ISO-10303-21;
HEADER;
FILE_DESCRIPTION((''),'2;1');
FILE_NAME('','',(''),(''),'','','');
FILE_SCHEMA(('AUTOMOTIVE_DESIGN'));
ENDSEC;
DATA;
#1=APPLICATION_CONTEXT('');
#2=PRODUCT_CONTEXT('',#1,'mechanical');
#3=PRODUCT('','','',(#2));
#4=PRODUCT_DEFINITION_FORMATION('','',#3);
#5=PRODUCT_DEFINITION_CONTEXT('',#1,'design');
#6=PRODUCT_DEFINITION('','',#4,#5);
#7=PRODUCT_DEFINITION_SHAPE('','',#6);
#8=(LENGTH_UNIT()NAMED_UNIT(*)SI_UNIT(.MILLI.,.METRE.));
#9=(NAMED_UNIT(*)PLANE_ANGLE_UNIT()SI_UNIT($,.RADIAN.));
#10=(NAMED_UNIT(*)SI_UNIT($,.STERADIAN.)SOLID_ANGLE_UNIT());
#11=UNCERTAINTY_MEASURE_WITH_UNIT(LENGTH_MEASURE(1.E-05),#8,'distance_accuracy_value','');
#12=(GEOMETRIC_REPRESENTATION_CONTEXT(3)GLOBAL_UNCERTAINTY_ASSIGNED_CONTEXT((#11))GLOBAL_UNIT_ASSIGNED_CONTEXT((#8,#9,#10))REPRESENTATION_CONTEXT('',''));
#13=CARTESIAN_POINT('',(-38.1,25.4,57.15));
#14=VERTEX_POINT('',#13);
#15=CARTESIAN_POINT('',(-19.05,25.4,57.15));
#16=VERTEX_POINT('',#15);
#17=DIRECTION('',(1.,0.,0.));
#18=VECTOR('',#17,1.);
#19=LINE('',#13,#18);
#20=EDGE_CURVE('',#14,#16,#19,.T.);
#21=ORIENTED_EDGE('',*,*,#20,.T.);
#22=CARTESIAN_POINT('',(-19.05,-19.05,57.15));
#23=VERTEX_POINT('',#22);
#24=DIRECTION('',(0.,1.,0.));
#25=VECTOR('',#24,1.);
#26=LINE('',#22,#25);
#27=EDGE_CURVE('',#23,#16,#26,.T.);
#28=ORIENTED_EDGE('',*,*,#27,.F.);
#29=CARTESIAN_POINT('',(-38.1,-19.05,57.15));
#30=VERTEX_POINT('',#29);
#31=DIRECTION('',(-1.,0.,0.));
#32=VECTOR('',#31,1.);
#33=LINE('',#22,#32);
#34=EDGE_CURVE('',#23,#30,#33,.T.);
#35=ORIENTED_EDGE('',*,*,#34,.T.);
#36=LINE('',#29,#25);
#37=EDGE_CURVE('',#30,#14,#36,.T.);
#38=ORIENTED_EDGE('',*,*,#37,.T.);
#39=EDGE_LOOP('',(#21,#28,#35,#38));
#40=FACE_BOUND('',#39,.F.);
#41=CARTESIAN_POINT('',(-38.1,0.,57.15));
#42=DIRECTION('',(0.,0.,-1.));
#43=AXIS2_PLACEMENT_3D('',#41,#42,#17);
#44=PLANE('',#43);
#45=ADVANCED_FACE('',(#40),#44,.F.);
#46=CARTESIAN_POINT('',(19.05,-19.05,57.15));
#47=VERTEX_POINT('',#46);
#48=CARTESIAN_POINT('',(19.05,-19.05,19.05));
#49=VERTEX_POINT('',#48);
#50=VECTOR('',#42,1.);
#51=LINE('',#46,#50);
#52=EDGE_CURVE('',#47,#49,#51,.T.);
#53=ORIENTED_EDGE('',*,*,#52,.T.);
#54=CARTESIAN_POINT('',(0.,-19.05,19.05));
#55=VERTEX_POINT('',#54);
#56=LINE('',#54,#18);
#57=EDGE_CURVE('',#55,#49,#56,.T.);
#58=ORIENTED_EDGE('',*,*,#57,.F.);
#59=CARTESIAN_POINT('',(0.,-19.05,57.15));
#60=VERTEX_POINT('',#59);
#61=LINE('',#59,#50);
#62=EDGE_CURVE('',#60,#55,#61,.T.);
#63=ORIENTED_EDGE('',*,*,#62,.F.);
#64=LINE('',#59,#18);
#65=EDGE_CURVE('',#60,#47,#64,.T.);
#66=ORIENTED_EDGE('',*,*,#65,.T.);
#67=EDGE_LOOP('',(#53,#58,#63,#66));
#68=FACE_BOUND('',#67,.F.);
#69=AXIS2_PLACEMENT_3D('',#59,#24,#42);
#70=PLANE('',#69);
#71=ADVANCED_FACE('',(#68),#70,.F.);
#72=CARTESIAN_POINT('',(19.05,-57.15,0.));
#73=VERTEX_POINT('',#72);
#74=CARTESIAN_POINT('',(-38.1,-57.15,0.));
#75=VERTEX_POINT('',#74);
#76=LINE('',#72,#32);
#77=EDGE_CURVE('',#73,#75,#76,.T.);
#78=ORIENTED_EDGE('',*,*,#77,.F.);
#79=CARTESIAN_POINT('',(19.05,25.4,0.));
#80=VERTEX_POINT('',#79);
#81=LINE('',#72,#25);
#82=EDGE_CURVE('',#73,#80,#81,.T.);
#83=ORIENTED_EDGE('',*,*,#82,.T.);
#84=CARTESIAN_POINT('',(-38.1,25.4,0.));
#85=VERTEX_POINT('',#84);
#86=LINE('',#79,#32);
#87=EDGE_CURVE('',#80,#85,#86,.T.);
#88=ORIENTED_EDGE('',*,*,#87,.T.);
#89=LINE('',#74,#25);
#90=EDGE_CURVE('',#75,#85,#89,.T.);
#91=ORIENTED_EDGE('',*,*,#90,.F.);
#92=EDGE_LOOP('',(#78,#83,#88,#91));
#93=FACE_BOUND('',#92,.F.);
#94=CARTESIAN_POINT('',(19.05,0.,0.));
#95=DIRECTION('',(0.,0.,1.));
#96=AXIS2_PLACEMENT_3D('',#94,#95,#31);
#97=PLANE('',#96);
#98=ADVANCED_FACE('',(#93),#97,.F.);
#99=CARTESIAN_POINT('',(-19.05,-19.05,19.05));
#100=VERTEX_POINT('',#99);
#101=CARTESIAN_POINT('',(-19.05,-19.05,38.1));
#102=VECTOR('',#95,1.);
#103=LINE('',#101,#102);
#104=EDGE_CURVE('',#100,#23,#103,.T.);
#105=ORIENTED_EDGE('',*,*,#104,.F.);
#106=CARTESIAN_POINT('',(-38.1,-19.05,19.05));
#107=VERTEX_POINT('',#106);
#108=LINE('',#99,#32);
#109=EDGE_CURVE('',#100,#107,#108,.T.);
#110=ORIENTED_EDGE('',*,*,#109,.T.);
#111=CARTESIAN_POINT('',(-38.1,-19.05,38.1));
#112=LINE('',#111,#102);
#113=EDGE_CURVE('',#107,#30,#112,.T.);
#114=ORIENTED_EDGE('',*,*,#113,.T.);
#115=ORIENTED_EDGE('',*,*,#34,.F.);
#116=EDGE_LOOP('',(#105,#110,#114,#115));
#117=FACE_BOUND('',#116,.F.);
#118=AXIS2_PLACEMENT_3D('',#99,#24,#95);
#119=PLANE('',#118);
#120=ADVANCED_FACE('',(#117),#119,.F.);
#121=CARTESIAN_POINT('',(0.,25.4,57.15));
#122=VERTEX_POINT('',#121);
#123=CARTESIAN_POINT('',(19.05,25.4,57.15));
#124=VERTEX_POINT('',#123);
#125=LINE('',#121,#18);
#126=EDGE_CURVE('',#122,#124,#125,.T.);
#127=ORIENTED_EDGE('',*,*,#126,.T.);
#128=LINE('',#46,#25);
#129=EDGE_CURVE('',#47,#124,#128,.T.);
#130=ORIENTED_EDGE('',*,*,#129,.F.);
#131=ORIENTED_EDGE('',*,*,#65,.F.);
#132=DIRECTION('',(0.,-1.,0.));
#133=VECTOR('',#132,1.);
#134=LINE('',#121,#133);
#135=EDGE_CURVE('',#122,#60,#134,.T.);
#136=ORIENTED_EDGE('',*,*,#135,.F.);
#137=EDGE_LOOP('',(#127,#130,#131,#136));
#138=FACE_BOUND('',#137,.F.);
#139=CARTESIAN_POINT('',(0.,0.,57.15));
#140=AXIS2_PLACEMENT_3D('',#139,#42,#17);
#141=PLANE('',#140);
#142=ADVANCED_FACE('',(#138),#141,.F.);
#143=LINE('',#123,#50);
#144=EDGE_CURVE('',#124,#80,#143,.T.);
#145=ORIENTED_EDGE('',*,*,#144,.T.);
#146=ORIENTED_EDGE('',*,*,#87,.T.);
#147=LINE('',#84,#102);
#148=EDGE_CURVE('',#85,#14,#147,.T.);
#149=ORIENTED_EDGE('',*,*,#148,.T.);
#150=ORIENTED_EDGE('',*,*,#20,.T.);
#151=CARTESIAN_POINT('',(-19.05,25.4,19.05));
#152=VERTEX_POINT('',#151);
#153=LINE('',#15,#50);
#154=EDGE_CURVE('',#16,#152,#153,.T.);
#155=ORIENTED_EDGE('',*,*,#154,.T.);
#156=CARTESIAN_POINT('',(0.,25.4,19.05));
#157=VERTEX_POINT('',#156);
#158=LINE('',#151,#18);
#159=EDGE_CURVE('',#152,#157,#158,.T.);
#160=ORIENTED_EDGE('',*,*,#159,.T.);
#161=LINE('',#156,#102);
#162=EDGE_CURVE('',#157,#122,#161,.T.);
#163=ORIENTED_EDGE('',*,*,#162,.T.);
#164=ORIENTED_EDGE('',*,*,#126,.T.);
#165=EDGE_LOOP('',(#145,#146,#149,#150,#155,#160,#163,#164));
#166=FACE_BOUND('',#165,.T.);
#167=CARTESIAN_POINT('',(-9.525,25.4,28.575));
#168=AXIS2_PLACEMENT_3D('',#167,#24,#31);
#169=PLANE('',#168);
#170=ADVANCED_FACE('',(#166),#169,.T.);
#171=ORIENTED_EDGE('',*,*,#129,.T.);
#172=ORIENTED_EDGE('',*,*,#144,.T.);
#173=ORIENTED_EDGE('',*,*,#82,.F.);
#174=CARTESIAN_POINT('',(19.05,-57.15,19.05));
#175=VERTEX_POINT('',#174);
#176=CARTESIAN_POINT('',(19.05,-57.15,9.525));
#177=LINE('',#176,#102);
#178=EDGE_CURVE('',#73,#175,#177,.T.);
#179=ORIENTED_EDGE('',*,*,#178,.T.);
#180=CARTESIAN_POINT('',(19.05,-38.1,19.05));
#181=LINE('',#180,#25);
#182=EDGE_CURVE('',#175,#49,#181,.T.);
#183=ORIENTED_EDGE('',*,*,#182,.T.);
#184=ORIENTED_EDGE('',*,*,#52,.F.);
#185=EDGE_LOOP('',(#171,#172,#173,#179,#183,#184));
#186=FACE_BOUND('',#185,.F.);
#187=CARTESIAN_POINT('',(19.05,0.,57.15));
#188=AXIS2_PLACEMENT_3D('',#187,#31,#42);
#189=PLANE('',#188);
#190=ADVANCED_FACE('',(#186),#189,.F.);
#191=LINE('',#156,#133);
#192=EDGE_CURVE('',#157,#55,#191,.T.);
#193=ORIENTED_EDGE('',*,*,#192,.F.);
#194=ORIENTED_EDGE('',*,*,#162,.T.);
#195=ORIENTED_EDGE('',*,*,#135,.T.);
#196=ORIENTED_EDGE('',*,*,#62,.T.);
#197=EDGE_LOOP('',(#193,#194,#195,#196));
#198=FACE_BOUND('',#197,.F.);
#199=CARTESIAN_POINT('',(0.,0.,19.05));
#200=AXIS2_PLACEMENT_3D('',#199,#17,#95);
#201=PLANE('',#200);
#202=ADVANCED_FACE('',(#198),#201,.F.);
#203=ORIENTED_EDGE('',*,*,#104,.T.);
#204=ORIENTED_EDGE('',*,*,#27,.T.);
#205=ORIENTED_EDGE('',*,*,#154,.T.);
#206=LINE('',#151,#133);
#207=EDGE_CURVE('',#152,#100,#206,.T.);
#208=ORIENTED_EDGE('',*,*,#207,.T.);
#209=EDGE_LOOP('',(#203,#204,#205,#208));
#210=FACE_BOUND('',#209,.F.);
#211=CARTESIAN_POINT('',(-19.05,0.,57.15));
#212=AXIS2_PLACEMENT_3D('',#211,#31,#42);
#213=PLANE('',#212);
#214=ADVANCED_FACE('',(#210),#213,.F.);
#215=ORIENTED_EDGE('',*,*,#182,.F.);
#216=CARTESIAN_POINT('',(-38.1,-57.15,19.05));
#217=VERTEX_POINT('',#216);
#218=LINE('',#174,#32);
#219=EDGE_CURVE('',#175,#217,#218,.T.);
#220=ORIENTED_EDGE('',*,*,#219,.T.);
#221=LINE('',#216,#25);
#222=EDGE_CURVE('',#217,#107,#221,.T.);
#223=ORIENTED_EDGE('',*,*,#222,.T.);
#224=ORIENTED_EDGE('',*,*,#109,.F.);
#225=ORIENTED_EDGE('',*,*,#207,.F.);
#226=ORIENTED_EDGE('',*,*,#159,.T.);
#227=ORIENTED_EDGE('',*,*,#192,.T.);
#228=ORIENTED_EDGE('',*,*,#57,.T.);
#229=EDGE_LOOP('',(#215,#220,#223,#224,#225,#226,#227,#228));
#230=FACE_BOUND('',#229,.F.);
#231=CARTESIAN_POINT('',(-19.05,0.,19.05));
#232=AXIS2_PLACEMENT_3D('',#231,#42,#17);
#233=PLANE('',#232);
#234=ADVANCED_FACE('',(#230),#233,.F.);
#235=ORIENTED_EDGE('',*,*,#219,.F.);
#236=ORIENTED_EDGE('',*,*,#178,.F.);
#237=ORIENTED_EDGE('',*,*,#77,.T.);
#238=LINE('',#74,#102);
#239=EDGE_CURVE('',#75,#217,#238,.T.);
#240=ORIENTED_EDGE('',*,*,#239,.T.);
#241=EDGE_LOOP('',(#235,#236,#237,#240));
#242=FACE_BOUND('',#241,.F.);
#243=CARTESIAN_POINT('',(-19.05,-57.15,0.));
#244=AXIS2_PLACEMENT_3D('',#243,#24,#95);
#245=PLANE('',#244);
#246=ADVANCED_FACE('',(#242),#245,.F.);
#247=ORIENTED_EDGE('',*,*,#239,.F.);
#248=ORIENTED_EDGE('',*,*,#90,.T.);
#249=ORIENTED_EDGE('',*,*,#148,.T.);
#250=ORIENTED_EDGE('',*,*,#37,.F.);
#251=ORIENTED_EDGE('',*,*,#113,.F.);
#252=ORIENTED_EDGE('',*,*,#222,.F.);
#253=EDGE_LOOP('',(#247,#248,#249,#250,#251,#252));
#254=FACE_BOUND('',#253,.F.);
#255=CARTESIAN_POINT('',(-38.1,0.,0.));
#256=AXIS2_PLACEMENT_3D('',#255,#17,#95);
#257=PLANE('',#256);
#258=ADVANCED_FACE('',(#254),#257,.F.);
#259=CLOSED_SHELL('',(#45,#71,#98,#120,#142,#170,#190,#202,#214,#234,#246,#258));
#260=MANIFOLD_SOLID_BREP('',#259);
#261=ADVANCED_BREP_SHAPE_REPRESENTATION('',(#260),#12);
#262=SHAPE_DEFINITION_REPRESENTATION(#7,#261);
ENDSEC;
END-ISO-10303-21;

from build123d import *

# Parameters (mm, degrees)
F0_W     = 19.05
F0_H     = 38.1
F0_H_2   = 19.05
F0_W_2   = 38.1
F1_DEPTH = 19.05
F2_W     = 38.1
F2_H     = 19.05
F2_W_2   = 19.05
F3_DEPTH = 19.05
F4_W     = 19.05
F4_H     = 38.1
F5_DEPTH = 19.05
F6_DEPTH = 25.4


with BuildPart() as f1:
    # F0 (on Right) → F1 (new body)
    with BuildSketch(Plane.YZ):
        with Locations((-9.525, 38.1)):
            Rectangle(F0_W, F0_H)
        with Locations((-9.525, 9.525)):
            Rectangle(F0_W, F0_H_2)
        with Locations((-38.1, 9.525)):
            Rectangle(F0_W_2, F0_H_2)
    extrude(amount=F1_DEPTH)

    # F2 (on face) → F3 (join)
    with BuildSketch(Plane(origin=(0, 0, 0), x_dir=(0, -1, 0), z_dir=(-1, 0, 0))):
        with Locations((38.1, 9.525)):
            Rectangle(F2_W, F2_H)
        with Locations((9.525, 9.525)):
            Rectangle(F2_W_2, F2_H)
    extrude(amount=F3_DEPTH)

    # F4 (on face) → F5 (join)
    with BuildSketch(Plane(origin=(-19.05, 0, 0), x_dir=(0, -1, 0), z_dir=(-1, 0, 0))):
        with Locations((9.525, 38.1)):
            Rectangle(F4_W, F4_H)
        Polygon((19.05, 19.05), (0, 19.05), (0, 0), (57.15, 0), (57.15, 19.05), align=None)
    extrude(amount=F5_DEPTH)

    # F5_face (on face) → F6 (join)
    with BuildSketch(Plane(origin=(-9.525, 0, 25.853571), x_dir=(-1, 0, 0), z_dir=(0, 1, 0))):
        Polygon((-9.525, 31.296429), (-28.575, 31.296429), (-28.575, -25.853571), (28.575, -25.853571), (28.575, 31.296429), (9.525, 31.296429), (9.525, -6.803571), (-9.525, -6.803571), align=None)
    extrude(amount=F6_DEPTH)


solid = f1.part
